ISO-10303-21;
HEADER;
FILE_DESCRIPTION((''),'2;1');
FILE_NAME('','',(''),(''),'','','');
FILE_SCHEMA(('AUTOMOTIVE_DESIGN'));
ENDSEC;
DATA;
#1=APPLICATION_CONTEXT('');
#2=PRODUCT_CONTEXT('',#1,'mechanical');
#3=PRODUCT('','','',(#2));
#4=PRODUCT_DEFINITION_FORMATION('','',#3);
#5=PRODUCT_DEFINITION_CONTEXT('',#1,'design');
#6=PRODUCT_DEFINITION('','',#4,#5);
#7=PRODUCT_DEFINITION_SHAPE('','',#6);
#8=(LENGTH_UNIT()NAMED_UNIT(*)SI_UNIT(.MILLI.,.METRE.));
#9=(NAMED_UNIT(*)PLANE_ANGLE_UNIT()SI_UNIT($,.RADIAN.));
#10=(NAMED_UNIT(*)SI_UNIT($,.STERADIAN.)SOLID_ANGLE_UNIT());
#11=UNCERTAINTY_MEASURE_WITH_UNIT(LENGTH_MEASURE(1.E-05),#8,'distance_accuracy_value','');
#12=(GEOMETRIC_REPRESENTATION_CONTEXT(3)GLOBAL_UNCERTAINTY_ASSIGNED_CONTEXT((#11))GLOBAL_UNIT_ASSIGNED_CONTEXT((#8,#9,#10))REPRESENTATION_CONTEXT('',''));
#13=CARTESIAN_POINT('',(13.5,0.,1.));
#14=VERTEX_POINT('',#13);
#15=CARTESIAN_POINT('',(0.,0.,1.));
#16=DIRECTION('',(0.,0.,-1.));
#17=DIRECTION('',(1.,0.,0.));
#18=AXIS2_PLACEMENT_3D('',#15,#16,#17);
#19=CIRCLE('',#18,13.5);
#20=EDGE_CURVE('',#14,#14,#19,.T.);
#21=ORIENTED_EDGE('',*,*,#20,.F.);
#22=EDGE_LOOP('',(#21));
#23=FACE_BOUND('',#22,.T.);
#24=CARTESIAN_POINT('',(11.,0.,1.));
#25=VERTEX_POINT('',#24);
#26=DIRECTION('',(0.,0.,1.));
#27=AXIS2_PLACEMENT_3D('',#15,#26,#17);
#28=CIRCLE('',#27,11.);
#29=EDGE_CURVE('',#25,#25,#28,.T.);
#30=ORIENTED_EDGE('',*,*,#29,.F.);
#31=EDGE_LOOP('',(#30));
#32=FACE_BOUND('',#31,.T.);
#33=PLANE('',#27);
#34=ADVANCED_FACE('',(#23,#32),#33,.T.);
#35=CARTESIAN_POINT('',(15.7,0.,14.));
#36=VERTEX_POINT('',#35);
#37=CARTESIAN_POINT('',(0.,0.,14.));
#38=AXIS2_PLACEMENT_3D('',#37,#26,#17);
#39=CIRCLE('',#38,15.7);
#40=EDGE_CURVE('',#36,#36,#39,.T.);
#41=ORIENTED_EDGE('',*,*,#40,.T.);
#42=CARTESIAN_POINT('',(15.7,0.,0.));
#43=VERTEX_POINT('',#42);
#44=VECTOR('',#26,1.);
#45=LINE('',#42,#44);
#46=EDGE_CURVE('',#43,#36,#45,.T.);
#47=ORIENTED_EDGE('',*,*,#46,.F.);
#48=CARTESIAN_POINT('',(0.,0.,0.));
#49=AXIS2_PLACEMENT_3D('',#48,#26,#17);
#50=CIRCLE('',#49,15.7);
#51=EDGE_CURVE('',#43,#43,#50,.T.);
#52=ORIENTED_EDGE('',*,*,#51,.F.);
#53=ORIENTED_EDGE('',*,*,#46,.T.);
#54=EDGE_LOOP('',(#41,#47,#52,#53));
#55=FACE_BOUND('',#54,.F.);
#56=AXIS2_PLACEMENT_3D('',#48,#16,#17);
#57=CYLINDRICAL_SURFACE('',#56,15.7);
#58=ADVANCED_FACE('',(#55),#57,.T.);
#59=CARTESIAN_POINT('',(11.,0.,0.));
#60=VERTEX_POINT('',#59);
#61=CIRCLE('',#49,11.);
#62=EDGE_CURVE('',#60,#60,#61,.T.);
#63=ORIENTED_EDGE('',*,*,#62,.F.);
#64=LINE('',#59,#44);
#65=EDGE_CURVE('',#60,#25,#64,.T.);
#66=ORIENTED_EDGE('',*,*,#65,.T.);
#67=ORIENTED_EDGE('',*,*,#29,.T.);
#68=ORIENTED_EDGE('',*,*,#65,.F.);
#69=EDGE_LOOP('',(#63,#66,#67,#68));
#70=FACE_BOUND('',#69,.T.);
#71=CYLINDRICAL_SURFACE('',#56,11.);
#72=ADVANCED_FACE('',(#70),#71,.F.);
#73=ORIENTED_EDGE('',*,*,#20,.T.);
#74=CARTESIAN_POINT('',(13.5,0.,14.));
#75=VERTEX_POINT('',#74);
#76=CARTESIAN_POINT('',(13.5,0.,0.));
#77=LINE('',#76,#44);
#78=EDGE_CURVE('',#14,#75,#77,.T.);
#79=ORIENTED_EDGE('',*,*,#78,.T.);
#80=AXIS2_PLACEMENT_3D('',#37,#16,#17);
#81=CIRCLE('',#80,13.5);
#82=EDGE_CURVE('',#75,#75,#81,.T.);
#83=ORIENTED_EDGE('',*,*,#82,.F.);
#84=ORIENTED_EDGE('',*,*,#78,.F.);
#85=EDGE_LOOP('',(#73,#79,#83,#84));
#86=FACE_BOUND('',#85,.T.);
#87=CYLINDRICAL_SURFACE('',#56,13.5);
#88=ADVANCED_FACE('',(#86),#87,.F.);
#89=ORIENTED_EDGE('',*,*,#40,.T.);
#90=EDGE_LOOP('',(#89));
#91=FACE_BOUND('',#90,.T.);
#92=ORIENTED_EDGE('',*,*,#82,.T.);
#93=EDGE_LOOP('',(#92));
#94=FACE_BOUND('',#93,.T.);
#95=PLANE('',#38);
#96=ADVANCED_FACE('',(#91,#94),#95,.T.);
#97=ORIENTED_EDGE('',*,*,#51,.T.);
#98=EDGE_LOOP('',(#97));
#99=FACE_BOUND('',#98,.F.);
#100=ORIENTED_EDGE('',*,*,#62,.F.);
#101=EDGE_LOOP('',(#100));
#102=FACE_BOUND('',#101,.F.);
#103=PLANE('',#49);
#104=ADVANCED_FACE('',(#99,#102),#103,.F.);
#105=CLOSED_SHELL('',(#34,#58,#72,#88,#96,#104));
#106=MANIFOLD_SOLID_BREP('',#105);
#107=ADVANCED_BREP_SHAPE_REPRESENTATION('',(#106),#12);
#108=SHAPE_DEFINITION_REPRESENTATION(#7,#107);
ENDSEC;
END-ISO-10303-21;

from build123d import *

# Parameters (mm, degrees)
CYLINDER081_R     = 13.5
CYLINDER081_DEPTH = 20
CYLINDER080_R     = 15.7
CYLINDER080_DEPTH = 14
CYLINDER083_R     = 11
CYLINDER083_DEPTH = 1
CYLINDER082_R     = 15
CYLINDER082_DEPTH = 1


with BuildPart() as internal_border:
    # Cylinder081 → Cylinder081 (new body)
    with BuildSketch(Plane.XY):
        Circle(CYLINDER081_R)
    extrude(amount=CYLINDER081_DEPTH)


with BuildPart() as adapter_tube_cut:
    # Cylinder080 → Cylinder080 (new body)
    with BuildSketch(Plane.XY):
        Circle(CYLINDER080_R)
    extrude(amount=CYLINDER080_DEPTH)

    # Cut023016: cut internal border
    add(internal_border.part, mode=Mode.SUBTRACT)


with BuildPart() as top_plate_hole:
    # Cylinder083 → Cylinder083 (new body)
    with BuildSketch(Plane.XY):
        Circle(CYLINDER083_R)
    extrude(amount=CYLINDER083_DEPTH)


with BuildPart() as eyepiece_adapter_fusion:
    # Cylinder082 → Cylinder082 (new body)
    with BuildSketch(Plane.XY):
        Circle(CYLINDER082_R)
    extrude(amount=CYLINDER082_DEPTH)

    # Cut023015: cut top plate hole
    add(top_plate_hole.part, mode=Mode.SUBTRACT)

    # Fusion057: union adapter tube cut
    add(adapter_tube_cut.part)


solid = eyepiece_adapter_fusion.part
